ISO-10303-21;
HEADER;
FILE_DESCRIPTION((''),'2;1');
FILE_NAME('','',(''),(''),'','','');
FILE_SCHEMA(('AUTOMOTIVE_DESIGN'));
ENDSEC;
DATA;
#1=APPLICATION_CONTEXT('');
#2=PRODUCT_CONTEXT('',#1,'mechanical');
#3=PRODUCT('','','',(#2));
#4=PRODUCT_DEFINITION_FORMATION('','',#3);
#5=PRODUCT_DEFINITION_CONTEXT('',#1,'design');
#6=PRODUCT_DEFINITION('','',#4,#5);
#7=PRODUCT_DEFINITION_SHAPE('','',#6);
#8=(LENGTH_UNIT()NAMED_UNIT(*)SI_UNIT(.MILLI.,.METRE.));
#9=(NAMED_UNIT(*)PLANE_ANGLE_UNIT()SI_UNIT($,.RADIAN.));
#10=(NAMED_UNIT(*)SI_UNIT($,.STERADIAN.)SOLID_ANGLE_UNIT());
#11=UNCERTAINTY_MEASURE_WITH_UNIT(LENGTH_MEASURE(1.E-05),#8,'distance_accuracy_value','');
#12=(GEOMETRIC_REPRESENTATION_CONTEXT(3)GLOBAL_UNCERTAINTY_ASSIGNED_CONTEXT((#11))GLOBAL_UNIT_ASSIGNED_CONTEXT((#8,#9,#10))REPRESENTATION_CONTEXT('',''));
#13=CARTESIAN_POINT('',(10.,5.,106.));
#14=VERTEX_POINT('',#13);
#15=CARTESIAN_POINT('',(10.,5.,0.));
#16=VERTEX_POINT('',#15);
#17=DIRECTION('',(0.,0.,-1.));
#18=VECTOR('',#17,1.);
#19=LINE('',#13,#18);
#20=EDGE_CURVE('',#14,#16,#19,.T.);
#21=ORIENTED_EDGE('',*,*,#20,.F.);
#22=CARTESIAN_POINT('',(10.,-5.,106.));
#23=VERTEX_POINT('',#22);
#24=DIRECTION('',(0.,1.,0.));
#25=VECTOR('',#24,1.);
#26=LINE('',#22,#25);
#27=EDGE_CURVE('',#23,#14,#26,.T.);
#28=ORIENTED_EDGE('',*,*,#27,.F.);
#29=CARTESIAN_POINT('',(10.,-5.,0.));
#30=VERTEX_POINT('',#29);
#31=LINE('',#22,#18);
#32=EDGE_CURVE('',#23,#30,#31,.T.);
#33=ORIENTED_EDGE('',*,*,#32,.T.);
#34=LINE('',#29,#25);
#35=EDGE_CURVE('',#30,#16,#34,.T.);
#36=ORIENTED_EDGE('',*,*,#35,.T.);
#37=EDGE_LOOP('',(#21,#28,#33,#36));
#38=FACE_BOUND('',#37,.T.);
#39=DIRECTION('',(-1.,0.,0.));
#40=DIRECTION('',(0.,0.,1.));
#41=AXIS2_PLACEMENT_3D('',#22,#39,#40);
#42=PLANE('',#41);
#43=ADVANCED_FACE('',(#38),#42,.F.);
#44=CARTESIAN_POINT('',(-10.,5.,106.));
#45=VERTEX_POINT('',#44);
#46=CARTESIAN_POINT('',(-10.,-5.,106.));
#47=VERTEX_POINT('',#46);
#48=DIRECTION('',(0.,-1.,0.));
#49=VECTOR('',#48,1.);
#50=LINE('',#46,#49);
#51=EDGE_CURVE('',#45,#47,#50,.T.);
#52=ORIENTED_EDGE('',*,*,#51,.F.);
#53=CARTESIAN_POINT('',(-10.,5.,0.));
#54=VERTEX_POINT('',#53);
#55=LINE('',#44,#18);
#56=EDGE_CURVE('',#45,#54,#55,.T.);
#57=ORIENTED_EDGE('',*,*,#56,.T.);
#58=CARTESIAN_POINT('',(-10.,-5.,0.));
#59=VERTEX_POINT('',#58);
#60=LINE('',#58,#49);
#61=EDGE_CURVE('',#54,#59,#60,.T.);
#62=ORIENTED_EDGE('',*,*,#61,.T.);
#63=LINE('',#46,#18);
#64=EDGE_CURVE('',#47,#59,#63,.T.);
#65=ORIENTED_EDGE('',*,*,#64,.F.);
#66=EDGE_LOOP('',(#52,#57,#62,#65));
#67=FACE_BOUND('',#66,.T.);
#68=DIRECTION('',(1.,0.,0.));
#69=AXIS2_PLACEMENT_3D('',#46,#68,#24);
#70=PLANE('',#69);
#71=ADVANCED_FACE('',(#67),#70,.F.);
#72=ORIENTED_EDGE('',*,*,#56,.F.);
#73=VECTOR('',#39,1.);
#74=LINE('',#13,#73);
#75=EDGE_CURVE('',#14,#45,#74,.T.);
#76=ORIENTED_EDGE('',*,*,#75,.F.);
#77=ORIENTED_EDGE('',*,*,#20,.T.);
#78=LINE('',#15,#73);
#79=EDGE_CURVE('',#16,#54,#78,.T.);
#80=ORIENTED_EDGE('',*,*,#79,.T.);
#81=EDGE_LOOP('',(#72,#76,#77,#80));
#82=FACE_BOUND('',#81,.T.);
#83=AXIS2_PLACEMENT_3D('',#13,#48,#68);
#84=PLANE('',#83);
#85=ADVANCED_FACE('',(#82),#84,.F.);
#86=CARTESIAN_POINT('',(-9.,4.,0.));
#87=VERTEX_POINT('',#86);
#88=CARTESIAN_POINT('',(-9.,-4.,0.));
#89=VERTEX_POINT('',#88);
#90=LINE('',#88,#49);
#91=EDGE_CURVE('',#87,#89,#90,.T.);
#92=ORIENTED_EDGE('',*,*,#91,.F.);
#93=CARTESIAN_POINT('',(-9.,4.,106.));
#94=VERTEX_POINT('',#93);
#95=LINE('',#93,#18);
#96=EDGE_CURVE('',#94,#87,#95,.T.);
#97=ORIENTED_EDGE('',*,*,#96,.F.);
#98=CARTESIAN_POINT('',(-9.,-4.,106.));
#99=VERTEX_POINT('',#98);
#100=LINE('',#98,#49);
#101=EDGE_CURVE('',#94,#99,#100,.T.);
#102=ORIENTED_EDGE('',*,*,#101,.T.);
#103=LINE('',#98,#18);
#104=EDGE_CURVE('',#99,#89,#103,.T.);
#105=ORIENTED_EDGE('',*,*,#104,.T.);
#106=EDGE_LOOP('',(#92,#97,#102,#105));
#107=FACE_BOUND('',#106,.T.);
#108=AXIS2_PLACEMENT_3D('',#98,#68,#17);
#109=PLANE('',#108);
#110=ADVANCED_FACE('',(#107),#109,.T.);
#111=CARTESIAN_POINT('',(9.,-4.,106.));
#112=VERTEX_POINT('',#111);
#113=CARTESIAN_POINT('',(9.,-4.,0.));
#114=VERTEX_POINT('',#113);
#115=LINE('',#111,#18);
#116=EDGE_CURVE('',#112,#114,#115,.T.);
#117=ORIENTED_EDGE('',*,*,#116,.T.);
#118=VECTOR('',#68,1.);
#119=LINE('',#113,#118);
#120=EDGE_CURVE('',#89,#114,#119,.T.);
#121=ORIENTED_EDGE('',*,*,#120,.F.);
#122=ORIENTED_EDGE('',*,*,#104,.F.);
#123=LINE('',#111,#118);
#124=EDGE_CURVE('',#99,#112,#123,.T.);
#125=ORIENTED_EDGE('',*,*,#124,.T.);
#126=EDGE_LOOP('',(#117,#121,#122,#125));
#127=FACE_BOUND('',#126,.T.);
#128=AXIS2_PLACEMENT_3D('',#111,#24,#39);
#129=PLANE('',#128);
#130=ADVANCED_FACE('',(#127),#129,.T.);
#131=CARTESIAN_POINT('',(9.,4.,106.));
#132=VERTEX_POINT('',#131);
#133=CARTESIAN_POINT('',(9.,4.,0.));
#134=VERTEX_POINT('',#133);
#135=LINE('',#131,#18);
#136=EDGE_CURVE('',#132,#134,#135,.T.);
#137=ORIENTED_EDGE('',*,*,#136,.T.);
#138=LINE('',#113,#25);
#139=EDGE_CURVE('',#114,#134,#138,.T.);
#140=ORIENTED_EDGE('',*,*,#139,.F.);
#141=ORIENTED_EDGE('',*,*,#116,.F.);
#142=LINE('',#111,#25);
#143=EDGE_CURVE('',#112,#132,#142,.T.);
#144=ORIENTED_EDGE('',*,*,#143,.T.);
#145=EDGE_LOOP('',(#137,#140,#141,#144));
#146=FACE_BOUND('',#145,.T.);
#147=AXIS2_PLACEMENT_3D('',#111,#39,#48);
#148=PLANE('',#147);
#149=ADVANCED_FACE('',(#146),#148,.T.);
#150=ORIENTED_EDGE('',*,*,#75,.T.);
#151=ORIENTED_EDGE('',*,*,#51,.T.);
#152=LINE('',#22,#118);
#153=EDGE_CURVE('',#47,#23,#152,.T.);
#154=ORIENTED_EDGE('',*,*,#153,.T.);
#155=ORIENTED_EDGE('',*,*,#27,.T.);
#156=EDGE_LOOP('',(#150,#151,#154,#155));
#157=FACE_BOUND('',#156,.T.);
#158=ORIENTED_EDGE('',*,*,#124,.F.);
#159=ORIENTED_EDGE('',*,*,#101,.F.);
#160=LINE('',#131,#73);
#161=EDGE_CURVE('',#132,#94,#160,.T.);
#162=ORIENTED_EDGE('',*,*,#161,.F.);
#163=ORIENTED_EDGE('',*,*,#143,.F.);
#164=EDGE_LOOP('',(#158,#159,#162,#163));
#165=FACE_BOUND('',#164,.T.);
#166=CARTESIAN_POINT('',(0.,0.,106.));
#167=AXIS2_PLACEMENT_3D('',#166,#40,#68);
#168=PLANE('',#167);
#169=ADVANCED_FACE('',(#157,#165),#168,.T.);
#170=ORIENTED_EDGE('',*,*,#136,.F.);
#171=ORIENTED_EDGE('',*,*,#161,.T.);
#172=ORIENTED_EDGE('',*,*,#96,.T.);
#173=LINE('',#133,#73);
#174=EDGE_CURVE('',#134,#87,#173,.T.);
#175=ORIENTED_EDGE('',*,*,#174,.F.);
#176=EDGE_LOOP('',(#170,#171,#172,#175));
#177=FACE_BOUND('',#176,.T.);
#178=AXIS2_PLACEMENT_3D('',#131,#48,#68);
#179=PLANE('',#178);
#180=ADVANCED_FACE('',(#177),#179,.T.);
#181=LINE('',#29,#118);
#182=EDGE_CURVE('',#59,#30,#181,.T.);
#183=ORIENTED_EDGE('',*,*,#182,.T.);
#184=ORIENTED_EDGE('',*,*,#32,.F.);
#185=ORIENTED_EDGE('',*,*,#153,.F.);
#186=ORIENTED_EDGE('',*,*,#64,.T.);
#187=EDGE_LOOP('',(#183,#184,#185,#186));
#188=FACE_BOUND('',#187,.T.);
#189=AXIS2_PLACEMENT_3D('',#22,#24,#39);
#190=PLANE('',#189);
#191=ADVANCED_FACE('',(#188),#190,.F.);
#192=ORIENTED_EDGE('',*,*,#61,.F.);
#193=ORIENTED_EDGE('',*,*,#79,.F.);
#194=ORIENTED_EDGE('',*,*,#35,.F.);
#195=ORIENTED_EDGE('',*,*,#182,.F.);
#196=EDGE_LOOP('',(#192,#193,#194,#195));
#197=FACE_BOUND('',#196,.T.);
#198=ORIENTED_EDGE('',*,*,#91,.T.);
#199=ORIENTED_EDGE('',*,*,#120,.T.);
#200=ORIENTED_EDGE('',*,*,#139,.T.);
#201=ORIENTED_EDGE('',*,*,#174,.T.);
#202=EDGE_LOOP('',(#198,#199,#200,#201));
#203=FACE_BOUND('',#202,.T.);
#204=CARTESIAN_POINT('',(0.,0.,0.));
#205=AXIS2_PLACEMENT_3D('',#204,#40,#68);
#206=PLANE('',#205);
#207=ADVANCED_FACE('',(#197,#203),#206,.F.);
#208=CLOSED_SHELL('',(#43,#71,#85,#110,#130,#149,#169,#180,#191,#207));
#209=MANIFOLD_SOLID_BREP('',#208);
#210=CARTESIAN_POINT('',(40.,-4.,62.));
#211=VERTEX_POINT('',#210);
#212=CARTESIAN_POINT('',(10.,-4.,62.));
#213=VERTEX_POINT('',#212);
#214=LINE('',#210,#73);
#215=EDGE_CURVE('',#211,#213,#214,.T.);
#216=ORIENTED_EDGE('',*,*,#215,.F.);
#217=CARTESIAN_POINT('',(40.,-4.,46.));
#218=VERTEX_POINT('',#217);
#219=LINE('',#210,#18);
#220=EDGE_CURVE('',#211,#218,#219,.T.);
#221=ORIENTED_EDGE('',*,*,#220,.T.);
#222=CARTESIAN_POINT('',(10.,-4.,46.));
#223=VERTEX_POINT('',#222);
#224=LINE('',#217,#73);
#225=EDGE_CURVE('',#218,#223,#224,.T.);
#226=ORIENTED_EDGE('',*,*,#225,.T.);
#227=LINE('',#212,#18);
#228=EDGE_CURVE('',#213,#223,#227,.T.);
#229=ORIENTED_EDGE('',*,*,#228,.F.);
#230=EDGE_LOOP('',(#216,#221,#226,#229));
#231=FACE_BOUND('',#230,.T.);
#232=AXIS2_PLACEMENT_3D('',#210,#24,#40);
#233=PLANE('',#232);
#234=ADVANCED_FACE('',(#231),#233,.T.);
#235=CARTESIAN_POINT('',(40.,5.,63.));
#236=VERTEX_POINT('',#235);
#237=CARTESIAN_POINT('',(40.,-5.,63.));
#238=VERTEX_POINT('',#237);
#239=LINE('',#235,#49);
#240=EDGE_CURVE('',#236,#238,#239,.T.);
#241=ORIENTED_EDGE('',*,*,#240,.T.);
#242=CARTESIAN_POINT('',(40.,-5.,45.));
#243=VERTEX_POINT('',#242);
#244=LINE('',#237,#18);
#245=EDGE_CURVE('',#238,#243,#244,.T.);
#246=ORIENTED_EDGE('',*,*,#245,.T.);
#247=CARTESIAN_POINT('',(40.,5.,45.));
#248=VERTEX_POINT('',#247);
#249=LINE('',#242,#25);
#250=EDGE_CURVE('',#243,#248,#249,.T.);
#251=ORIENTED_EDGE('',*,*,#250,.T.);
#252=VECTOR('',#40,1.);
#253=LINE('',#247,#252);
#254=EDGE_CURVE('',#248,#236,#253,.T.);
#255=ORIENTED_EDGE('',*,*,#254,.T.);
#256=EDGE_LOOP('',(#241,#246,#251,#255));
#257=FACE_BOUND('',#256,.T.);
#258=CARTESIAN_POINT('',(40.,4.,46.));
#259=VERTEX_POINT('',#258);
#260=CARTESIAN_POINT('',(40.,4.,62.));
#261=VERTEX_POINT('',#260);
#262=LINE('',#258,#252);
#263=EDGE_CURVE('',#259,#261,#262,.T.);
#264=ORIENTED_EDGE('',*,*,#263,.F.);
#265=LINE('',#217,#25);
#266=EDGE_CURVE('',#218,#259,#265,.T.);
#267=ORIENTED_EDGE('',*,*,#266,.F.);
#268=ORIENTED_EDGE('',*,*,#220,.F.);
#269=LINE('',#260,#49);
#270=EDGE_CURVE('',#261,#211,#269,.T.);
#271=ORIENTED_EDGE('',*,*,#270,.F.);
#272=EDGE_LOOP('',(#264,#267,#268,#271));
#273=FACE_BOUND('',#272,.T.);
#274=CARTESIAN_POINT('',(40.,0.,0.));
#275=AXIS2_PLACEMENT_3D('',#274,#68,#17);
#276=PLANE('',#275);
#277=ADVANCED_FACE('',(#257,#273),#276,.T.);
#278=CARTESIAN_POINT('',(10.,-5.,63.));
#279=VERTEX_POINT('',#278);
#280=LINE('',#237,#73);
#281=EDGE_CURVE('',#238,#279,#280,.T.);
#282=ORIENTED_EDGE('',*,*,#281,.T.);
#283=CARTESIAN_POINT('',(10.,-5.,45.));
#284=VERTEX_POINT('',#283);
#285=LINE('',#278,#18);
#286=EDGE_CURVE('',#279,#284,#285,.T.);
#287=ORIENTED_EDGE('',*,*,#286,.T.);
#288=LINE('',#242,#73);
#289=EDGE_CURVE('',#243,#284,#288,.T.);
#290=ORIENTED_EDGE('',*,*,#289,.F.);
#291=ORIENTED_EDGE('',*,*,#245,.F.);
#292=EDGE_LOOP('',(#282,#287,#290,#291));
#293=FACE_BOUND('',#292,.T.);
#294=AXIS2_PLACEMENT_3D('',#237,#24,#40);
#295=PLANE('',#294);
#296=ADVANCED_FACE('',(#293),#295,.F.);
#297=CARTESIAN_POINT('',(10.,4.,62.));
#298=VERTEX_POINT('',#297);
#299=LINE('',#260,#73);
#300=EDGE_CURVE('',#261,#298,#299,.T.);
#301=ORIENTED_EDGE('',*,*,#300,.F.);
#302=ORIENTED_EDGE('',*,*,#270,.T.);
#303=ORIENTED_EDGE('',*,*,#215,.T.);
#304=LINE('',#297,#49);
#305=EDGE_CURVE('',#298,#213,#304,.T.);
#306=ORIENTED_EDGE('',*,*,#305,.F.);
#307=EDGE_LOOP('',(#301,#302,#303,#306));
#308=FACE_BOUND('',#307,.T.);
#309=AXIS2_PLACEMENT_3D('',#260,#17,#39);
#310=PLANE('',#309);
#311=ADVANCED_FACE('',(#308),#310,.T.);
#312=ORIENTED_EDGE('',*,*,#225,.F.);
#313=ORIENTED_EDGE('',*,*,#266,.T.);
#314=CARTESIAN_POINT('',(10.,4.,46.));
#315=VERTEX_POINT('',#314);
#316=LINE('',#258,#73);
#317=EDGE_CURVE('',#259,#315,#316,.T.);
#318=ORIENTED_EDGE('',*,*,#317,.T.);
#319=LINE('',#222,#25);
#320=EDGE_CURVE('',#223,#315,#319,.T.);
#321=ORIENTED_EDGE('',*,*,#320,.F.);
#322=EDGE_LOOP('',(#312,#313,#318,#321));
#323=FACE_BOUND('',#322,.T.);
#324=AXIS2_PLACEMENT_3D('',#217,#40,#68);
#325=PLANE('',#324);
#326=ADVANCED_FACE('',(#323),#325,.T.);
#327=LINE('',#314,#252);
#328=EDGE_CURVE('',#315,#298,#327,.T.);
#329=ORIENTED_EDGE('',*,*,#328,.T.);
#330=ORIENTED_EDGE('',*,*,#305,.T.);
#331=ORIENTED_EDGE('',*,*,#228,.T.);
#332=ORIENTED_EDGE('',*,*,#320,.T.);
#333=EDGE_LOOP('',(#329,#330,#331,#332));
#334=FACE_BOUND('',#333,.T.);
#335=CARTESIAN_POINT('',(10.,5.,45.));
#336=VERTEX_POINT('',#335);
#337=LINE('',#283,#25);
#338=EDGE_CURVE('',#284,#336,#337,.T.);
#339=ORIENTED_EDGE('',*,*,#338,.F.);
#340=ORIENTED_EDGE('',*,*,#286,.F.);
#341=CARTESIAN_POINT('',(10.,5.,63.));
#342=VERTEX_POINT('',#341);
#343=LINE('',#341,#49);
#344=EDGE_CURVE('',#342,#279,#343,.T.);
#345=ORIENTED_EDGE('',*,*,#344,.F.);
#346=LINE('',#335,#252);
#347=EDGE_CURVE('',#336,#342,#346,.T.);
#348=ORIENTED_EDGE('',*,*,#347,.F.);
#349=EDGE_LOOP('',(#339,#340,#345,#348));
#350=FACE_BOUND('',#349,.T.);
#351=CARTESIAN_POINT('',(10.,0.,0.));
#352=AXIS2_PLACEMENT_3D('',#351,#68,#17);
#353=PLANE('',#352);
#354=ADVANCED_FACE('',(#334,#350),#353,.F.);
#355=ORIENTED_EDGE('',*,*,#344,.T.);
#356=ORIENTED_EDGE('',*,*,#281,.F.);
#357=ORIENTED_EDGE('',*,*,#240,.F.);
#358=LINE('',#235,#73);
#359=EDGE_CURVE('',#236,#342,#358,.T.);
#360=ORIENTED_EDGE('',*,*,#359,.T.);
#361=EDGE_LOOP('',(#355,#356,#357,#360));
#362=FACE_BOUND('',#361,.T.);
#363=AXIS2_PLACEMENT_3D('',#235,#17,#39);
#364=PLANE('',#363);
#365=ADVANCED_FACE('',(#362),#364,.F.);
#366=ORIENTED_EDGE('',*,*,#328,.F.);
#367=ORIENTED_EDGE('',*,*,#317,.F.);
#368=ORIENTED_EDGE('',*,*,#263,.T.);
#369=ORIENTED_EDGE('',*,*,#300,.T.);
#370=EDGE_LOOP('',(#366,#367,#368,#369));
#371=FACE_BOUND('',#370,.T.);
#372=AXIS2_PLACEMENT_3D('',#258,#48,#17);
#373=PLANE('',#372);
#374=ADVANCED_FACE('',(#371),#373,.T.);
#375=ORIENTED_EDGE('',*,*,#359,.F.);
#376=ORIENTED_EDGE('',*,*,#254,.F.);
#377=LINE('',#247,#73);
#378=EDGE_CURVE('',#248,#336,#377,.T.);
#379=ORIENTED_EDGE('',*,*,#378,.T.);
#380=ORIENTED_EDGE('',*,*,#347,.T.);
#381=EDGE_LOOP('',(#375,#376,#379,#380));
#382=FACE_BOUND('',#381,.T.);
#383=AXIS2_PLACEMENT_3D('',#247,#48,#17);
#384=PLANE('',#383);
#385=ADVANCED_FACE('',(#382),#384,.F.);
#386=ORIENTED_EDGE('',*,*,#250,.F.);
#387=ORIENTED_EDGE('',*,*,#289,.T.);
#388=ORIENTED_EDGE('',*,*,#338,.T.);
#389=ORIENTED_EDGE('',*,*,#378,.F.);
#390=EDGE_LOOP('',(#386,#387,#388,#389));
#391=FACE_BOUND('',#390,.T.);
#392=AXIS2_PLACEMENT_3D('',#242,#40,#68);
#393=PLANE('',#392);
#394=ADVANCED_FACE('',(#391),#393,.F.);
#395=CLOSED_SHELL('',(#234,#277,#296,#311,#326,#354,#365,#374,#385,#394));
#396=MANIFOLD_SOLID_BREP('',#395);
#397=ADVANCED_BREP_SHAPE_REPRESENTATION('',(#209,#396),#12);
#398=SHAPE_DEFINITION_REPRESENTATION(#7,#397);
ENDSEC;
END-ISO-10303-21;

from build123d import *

# Parameters (mm, degrees)
SKETCH_1_W      = 20
SKETCH_1_H      = 10
SKETCH_1_W_2    = 18
SKETCH_1_H_2    = 8
EXTRUDE_1_DEPTH = 106
SKETCH_2_W      = 18
SKETCH_2_H      = 10
SKETCH_2_W_2    = 16
SKETCH_2_H_2    = 8
EXTRUDE_2_DEPTH = 30


with BuildPart() as part:
    # 草图1 → 凸台-拉伸1 (new body)
    with BuildSketch(Plane.XY):
        Rectangle(SKETCH_1_W, SKETCH_1_H)
        Rectangle(SKETCH_1_W_2, SKETCH_1_H_2, mode=Mode.SUBTRACT)
    extrude(amount=EXTRUDE_1_DEPTH)


with BuildPart() as body_2:
    # 草图2 → 凸台-拉伸2 (new body)
    with BuildSketch(Plane(origin=(10, 0, 0), x_dir=(0, 0, -1), z_dir=(1, 0, 0))):
        with Locations((-54, 0)):
            Rectangle(SKETCH_2_W, SKETCH_2_H)
        with Locations((-54, 0)):
            Rectangle(SKETCH_2_W_2, SKETCH_2_H_2, mode=Mode.SUBTRACT)
    extrude(amount=EXTRUDE_2_DEPTH)


solid = Compound([part.part, body_2.part])
